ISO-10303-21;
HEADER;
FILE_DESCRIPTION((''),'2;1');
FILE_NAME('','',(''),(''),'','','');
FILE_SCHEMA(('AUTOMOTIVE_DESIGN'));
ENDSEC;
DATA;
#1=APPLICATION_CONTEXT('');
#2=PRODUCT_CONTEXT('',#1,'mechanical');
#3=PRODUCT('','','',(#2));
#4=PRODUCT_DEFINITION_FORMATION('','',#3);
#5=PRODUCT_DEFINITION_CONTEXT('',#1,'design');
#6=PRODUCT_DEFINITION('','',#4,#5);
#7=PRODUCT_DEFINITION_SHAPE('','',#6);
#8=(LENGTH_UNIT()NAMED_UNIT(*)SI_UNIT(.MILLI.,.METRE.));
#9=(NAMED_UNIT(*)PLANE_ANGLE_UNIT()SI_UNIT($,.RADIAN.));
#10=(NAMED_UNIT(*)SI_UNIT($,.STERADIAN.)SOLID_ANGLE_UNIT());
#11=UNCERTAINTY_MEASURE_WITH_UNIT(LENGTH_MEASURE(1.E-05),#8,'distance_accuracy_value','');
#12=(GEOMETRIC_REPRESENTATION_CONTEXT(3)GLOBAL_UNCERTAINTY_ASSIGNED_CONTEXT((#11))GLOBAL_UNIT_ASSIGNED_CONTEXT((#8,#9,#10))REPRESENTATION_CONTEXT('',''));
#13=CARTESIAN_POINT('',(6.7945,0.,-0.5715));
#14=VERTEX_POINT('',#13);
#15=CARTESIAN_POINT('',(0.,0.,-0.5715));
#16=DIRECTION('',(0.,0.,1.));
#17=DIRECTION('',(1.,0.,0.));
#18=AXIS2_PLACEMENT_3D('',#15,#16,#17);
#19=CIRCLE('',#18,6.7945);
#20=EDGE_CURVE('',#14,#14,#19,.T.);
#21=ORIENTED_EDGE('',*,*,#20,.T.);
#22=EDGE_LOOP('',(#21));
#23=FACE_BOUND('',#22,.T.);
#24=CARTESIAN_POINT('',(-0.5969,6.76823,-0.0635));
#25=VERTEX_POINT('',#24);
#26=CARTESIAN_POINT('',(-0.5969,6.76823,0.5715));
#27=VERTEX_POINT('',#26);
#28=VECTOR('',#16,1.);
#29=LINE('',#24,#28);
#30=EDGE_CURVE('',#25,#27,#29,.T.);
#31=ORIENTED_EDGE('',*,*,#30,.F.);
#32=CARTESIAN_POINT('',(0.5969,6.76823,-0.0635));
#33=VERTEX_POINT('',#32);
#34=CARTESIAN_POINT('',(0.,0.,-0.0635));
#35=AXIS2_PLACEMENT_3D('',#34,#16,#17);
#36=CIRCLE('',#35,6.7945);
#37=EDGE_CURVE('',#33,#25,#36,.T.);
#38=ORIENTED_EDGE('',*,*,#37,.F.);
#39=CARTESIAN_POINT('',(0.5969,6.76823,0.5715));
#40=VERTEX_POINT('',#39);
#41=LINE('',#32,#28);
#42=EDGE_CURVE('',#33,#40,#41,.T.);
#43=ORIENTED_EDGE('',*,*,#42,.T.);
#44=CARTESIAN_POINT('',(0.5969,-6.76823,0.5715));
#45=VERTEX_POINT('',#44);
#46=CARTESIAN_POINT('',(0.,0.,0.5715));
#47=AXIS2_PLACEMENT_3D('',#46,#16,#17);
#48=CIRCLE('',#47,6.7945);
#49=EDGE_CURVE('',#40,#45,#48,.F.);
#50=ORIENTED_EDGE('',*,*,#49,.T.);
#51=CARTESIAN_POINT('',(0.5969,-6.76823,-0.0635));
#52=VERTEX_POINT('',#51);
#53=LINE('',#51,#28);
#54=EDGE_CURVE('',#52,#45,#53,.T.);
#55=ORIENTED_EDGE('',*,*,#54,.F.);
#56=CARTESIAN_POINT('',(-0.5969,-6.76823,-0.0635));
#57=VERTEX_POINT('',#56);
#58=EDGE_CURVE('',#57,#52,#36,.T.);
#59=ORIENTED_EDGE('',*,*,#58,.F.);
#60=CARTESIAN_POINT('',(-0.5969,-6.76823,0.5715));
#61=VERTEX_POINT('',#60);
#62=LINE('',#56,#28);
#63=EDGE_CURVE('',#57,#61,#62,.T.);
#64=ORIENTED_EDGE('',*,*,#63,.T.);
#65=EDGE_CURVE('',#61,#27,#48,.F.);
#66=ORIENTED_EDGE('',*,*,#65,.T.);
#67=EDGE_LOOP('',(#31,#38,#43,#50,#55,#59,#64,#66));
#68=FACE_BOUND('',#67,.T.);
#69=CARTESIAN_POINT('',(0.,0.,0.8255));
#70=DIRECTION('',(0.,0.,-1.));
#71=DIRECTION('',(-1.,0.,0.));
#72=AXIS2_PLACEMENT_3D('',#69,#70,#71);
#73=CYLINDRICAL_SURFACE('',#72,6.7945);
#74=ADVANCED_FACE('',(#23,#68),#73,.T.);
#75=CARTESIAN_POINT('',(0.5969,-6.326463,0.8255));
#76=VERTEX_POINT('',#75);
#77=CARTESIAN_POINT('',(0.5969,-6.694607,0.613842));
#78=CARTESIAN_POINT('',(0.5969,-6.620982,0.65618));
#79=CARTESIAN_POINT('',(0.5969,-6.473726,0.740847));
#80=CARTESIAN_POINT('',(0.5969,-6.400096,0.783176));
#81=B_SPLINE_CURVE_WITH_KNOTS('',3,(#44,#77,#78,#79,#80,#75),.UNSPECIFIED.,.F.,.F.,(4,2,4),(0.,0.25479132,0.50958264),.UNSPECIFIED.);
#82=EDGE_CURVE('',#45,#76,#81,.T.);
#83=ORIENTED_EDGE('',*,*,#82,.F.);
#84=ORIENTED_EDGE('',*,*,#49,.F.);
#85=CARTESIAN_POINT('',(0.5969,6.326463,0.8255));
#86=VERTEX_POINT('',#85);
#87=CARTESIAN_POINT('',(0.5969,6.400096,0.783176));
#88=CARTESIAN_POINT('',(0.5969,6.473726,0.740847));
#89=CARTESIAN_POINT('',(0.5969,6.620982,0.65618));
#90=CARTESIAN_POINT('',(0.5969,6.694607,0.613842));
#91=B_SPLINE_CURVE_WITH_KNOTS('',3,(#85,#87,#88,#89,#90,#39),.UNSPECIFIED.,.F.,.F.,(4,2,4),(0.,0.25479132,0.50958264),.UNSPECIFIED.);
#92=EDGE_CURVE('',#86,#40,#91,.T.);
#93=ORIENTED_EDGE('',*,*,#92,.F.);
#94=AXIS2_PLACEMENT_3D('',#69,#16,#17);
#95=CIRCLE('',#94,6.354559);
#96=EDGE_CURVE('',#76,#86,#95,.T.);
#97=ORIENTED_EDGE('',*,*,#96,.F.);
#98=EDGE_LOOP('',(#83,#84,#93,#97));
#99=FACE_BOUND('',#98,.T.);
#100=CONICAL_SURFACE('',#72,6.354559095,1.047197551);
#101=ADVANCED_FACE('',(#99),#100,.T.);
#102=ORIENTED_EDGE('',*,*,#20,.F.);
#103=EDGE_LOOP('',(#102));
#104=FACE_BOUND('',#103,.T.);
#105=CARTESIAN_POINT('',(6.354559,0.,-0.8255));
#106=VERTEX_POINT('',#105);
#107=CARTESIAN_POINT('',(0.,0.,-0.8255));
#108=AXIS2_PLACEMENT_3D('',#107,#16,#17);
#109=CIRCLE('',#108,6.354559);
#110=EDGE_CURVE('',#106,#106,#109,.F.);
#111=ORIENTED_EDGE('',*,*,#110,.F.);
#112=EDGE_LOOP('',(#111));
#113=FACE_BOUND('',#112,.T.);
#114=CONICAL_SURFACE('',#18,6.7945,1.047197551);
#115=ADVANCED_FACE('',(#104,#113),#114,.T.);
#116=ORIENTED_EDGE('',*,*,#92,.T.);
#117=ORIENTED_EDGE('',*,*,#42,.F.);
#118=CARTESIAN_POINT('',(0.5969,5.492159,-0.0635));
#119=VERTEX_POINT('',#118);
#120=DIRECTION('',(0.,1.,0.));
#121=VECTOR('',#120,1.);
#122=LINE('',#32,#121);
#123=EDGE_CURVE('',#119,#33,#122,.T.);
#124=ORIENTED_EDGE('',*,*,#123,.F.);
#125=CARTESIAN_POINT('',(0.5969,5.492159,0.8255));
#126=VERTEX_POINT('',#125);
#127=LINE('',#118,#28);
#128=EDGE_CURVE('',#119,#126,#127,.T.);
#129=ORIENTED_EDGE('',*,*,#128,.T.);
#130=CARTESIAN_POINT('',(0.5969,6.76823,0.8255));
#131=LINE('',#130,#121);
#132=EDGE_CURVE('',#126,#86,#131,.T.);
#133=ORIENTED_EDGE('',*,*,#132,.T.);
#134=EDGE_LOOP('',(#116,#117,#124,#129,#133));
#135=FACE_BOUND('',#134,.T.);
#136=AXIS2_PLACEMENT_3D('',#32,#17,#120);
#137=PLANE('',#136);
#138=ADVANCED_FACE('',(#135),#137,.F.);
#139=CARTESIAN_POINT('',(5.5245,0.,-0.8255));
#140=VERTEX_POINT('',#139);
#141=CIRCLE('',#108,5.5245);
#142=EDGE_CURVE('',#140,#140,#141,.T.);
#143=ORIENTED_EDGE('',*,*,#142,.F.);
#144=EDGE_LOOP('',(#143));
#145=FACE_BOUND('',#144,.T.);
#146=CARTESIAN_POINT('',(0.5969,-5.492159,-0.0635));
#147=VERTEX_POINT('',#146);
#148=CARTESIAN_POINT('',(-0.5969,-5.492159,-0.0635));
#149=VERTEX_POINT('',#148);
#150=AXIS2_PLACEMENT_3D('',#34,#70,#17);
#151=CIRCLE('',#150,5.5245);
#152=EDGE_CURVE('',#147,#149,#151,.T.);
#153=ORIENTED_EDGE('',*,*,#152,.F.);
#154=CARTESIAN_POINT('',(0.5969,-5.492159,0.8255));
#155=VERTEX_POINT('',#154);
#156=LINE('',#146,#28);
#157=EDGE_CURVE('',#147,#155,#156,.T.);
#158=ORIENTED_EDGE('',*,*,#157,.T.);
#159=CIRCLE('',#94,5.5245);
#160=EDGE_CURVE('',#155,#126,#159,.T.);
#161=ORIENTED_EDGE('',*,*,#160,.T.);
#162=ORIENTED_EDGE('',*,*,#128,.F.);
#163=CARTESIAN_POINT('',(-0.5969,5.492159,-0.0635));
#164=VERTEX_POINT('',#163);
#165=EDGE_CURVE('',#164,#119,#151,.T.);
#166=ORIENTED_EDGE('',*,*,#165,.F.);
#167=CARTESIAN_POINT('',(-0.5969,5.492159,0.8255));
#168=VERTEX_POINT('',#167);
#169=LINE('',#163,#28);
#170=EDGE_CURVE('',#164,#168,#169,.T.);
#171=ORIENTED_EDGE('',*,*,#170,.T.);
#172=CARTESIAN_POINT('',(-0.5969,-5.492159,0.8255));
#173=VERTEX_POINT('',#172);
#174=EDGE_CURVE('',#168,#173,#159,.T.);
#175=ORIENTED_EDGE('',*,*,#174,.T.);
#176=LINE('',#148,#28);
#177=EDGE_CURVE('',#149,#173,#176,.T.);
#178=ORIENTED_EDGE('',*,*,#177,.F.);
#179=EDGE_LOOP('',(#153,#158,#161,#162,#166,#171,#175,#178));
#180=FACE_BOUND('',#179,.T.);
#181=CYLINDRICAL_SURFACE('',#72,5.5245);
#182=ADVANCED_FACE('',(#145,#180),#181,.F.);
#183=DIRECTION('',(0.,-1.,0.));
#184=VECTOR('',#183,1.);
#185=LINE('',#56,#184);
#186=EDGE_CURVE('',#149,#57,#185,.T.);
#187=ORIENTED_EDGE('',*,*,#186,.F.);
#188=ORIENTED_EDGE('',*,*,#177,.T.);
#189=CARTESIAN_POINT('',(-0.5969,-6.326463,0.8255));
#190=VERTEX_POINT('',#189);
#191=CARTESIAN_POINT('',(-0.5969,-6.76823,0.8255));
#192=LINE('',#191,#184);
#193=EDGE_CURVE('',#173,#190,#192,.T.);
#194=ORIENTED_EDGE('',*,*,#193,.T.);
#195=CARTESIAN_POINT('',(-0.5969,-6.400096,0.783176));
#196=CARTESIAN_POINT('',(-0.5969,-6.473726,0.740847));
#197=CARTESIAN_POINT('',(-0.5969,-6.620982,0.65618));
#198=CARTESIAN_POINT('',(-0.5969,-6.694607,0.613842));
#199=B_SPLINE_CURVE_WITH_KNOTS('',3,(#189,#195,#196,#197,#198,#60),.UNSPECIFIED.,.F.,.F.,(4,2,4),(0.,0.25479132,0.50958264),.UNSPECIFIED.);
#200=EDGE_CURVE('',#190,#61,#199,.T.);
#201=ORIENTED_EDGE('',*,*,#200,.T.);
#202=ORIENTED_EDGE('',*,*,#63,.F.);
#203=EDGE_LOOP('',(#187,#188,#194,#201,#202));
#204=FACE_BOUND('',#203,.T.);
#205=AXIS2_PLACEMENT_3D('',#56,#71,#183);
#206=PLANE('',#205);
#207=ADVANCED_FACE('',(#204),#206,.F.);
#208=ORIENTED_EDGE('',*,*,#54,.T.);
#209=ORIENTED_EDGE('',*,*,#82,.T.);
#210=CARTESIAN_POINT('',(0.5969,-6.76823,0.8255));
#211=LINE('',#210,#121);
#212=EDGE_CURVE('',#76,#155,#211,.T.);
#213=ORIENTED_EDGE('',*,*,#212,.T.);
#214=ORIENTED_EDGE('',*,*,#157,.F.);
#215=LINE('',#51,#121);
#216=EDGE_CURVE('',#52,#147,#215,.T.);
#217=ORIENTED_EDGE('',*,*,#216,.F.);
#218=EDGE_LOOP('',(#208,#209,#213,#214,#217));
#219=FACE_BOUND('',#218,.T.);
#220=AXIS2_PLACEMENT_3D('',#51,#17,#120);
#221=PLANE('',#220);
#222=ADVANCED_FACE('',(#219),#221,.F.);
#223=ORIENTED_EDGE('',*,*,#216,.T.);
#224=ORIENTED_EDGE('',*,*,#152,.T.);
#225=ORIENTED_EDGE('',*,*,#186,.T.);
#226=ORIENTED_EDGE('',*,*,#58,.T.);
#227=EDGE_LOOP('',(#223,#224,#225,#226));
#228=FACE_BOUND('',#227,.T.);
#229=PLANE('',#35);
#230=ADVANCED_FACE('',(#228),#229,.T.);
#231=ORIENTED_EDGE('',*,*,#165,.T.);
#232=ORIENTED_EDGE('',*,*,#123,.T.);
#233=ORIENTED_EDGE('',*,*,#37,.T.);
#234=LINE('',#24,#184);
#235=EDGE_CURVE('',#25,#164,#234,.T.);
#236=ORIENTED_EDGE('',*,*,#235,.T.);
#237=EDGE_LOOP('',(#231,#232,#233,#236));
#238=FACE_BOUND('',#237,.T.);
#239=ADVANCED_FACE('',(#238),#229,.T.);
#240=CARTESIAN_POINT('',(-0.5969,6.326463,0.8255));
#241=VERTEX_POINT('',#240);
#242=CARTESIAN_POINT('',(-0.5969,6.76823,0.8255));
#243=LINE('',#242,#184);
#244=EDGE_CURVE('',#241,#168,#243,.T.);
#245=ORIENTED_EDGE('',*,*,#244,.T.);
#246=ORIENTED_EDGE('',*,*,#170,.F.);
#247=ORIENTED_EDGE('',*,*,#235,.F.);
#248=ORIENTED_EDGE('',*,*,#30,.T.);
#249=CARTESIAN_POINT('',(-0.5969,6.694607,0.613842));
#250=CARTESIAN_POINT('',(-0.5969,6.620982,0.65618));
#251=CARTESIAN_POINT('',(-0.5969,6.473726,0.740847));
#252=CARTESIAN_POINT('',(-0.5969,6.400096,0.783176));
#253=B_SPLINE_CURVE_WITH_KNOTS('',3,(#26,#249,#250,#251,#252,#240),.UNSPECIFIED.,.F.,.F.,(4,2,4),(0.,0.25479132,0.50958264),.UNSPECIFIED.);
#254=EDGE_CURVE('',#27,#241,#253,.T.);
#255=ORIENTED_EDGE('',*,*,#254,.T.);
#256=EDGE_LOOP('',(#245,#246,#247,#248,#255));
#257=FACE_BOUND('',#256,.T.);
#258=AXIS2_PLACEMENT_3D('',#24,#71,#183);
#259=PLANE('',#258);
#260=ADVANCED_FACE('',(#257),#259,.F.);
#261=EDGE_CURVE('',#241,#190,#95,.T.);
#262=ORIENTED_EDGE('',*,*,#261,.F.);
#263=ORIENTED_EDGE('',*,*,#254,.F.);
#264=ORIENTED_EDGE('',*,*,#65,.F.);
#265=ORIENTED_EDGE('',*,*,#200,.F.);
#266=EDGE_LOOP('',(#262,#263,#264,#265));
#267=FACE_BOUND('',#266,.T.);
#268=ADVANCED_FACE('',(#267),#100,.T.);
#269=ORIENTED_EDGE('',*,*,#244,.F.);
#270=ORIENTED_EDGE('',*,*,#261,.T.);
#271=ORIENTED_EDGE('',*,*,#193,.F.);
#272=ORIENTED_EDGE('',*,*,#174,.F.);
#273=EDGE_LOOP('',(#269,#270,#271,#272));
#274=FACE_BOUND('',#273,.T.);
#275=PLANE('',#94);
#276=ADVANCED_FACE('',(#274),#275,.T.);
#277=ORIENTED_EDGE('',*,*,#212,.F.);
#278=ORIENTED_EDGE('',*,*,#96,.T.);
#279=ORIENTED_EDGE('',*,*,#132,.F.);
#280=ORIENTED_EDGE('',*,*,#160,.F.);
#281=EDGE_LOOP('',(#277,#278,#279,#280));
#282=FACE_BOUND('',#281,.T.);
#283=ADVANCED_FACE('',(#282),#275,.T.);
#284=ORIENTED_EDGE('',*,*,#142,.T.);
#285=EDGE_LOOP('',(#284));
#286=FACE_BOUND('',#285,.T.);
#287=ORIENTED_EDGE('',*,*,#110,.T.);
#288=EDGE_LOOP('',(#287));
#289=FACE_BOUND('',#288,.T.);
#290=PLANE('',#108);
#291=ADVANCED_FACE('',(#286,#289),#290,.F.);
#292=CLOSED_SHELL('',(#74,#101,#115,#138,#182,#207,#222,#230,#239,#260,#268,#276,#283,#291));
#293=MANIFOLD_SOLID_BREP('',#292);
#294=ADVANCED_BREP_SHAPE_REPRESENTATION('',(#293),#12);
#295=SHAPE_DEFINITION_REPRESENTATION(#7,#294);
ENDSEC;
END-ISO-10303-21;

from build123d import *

# Parameters (mm, degrees)
SKETCH1_R          = 6.7945
SKETCH1_R_2        = 5.5245
EXTRUDE1_DEPTH     = 0.8255
CUT_EXTRUDE1_DEPTH = 0.889
CHAMFER1_SIZE      = 0.254
CHAMFER1_SIZE2     = 0.439940905


with BuildPart() as part:
    # Sketch1 → Extrude1 (new, symmetric)
    with BuildSketch(Plane.XY):
        with Locations(Location((0, 0, 0), (0, 0, 180))):
            Circle(SKETCH1_R)
        with Locations(Location((0, 0, 0), (0, 0, 180))):
            Circle(SKETCH1_R_2, mode=Mode.SUBTRACT)
    extrude(amount=EXTRUDE1_DEPTH, both=True)

    # Sketch2 → Cut-Extrude1 (cut)
    with BuildSketch(Plane.XY.offset(0.8255)):
        with BuildLine():
            Line((-0.5969, 6.768230244), (-0.5969, 5.492159014))
            ThreePointArc((-0.5969, 5.492159014), (0, 5.5245), (0.5969, 5.492159014))
            Line((0.5969, 5.492159014), (0.5969, 6.768230244))
            ThreePointArc((0.5969, 6.768230244), (0, 6.7945), (-0.5969, 6.768230244))
        make_face()
        with BuildLine():
            Line((-0.5969, -6.768230244), (-0.5969, -5.492159014))
            ThreePointArc((-0.5969, -5.492159014), (0, -5.5245), (0.5969, -5.492159014))
            Line((0.5969, -5.492159014), (0.5969, -6.768230244))
            ThreePointArc((0.5969, -6.768230244), (0, -6.7945), (-0.5969, -6.768230244))
        make_face()
    extrude(amount=-CUT_EXTRUDE1_DEPTH, mode=Mode.SUBTRACT)

    # Chamfer1
    chamfer1_edges = [part.edges().sort_by_distance(p)[0] for p in [
        (-5.011031196, -4.588550599, 0.8255),
        (6.7945, 0, -0.8255),
        (6.7945, 0, 0.8255),
    ]]
    chamfer1_side = [part.faces().sort_by_distance(p)[0] for p in [
        (6.7945, 0, 0),
    ]]
    chamfer(chamfer1_edges, length=CHAMFER1_SIZE, length2=CHAMFER1_SIZE2, reference=chamfer1_side[0])


solid = part.part
